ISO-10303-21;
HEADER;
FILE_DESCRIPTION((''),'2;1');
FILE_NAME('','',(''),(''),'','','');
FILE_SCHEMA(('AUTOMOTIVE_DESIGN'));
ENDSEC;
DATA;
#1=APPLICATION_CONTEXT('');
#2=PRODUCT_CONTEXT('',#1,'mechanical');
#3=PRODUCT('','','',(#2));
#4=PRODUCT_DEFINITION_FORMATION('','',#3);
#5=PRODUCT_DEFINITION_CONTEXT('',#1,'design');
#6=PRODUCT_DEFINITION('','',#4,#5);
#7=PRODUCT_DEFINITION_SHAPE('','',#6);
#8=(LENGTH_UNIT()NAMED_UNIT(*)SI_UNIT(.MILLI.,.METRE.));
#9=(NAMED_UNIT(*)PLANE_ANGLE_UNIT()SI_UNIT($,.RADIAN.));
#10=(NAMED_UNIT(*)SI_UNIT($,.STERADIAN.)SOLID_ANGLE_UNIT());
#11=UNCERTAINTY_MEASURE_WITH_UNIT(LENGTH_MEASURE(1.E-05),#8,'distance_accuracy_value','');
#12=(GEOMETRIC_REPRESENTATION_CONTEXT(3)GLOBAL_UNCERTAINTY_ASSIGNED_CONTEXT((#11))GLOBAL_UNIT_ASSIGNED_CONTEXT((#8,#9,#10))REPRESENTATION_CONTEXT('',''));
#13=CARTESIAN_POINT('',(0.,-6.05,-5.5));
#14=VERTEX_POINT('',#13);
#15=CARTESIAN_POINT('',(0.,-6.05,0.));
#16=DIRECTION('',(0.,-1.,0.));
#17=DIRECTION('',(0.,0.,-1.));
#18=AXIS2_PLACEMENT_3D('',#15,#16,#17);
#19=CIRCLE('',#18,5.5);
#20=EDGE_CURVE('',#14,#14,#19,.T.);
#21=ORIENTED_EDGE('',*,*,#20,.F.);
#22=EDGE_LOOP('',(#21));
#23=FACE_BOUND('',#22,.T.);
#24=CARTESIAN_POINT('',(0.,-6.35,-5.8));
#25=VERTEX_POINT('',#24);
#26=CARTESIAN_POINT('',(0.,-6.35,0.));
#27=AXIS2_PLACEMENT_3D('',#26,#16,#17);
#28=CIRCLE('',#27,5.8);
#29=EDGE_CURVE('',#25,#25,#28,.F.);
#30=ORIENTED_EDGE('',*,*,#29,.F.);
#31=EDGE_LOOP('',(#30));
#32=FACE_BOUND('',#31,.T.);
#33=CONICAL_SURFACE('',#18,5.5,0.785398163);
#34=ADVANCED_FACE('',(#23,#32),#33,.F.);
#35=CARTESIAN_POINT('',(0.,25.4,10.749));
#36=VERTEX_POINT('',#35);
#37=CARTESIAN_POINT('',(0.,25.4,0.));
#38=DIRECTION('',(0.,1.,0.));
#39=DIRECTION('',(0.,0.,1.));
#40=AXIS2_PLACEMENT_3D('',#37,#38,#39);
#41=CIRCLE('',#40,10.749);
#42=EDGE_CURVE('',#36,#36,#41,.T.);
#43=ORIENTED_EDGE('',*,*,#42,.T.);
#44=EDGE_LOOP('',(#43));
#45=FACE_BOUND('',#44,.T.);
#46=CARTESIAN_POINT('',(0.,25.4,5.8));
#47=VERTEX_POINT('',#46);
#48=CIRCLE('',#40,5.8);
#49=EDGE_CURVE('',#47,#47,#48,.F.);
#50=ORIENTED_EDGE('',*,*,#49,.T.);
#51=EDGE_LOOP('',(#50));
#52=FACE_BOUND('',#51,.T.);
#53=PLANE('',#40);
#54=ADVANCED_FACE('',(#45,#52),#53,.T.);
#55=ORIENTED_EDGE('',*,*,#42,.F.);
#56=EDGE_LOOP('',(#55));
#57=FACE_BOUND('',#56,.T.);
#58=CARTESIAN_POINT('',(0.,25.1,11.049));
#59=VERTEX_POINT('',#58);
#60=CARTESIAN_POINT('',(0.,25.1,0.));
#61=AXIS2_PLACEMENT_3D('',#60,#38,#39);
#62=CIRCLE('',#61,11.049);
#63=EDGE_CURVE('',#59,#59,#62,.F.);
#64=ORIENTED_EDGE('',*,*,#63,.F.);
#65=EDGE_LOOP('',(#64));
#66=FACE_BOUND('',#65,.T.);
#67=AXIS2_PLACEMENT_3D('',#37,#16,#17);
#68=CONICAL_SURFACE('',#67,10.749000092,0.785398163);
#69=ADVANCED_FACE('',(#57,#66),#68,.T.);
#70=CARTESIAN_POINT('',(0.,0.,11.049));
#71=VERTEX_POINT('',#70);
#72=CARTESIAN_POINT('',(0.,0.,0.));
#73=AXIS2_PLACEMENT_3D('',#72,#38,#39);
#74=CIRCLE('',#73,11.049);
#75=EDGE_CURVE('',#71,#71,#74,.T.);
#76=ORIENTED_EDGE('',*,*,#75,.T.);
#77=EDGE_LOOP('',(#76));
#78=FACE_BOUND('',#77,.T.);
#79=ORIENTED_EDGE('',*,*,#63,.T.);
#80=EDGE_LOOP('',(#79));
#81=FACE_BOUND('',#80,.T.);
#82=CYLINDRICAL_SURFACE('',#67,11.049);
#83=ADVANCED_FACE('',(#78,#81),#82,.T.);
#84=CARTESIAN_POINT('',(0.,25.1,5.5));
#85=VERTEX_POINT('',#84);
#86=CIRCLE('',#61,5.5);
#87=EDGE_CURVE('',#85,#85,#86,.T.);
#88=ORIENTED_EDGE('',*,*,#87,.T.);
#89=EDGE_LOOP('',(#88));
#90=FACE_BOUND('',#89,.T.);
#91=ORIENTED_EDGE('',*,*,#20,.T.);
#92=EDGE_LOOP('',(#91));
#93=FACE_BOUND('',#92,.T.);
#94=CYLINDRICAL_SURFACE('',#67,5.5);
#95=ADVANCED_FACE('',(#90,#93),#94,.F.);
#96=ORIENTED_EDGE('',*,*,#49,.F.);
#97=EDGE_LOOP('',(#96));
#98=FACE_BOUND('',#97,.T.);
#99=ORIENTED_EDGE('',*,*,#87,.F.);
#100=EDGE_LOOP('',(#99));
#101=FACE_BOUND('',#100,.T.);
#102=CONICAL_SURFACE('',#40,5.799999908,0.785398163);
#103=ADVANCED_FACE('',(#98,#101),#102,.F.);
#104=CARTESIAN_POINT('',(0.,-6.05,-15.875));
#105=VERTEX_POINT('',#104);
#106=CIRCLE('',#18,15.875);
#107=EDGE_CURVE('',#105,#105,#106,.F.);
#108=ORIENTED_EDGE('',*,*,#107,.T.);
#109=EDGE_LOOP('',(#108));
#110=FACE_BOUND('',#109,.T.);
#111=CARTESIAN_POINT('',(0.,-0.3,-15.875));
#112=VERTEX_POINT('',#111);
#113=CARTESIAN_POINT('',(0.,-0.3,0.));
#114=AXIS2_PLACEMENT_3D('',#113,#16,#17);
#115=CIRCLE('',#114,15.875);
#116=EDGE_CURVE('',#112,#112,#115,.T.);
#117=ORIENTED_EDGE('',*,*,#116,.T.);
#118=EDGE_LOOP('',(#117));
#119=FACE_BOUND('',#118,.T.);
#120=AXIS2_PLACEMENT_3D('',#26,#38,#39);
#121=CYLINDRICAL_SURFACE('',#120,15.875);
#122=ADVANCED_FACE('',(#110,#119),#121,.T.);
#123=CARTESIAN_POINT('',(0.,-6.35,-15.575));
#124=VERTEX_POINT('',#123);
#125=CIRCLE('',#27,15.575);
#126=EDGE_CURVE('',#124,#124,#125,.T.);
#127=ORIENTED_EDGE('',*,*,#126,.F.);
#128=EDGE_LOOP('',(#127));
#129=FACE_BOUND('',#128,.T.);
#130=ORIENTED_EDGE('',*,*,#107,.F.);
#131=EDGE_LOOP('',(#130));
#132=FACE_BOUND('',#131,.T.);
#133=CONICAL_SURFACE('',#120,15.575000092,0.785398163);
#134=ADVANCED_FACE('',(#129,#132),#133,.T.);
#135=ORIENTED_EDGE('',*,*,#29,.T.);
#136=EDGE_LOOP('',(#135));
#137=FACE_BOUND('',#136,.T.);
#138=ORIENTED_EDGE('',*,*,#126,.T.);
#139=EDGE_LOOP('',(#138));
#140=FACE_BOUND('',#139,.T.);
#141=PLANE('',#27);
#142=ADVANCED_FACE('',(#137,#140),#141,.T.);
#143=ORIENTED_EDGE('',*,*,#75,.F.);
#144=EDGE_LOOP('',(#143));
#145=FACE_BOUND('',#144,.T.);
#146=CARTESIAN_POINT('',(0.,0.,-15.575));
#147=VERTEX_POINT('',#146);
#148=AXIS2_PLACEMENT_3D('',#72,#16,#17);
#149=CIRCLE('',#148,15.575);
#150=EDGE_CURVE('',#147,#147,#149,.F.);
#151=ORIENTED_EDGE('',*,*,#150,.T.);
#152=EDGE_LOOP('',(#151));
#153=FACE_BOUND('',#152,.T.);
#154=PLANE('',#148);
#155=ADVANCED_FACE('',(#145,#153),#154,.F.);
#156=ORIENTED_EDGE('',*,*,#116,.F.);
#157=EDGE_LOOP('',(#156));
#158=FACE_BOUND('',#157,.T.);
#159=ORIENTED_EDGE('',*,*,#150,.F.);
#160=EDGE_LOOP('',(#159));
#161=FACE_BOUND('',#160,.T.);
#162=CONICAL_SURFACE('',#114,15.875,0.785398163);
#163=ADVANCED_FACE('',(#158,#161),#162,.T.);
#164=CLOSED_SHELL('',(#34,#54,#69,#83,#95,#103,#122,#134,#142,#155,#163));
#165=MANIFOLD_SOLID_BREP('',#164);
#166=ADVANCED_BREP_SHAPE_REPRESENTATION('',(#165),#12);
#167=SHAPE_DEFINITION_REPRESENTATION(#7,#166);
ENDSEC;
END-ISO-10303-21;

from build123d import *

# Parameters (mm, degrees)
SKETCH1_R           = 11.049
BOSS_EXTRUDE1_DEPTH = 25.4
SKETCH2_R           = 15.875
BOSS_EXTRUDE2_DEPTH = 6.35
SKETCH3_R           = 5.5
CUT_EXTRUDE1_DEPTH  = 39.885649667
CHAMFER1_SIZE       = 0.299999908


with BuildPart() as part:
    # Sketch1 → Boss-Extrude1 (new body)
    with BuildSketch(Plane(origin=(0, 0, 0), x_dir=(1, 0, 0), z_dir=(0, 1, 0))):
        with Locations(Location((0, 0, 0), (0, 0, 270))):
            Circle(SKETCH1_R)
    extrude(amount=BOSS_EXTRUDE1_DEPTH)

    # Sketch2 → Boss-Extrude2 (add)
    with BuildSketch(Plane.XZ):
        with Locations(Location((0, 0, 0), (0, 0, 270))):
            Circle(SKETCH2_R)
    extrude(amount=BOSS_EXTRUDE2_DEPTH)

    # Sketch3 → Cut-Extrude1 (cut, through all)
    with BuildSketch(Plane.XZ.offset(6.35)):
        with Locations(Location((0, 0, 0), (0, 0, 270))):
            Circle(SKETCH3_R)
    extrude(amount=-CUT_EXTRUDE1_DEPTH, mode=Mode.SUBTRACT)

    # Chamfer1
    chamfer1_edges = [part.edges().sort_by_distance(p)[0] for p in [
        (0, 25.4, 5.5),
        (0, -6.35, 5.5),
        (0, 25.4, -11.049),
        (0, 0, 15.875),
        (0, -6.35, 15.875),
    ]]
    chamfer(chamfer1_edges, length=CHAMFER1_SIZE)


solid = part.part
